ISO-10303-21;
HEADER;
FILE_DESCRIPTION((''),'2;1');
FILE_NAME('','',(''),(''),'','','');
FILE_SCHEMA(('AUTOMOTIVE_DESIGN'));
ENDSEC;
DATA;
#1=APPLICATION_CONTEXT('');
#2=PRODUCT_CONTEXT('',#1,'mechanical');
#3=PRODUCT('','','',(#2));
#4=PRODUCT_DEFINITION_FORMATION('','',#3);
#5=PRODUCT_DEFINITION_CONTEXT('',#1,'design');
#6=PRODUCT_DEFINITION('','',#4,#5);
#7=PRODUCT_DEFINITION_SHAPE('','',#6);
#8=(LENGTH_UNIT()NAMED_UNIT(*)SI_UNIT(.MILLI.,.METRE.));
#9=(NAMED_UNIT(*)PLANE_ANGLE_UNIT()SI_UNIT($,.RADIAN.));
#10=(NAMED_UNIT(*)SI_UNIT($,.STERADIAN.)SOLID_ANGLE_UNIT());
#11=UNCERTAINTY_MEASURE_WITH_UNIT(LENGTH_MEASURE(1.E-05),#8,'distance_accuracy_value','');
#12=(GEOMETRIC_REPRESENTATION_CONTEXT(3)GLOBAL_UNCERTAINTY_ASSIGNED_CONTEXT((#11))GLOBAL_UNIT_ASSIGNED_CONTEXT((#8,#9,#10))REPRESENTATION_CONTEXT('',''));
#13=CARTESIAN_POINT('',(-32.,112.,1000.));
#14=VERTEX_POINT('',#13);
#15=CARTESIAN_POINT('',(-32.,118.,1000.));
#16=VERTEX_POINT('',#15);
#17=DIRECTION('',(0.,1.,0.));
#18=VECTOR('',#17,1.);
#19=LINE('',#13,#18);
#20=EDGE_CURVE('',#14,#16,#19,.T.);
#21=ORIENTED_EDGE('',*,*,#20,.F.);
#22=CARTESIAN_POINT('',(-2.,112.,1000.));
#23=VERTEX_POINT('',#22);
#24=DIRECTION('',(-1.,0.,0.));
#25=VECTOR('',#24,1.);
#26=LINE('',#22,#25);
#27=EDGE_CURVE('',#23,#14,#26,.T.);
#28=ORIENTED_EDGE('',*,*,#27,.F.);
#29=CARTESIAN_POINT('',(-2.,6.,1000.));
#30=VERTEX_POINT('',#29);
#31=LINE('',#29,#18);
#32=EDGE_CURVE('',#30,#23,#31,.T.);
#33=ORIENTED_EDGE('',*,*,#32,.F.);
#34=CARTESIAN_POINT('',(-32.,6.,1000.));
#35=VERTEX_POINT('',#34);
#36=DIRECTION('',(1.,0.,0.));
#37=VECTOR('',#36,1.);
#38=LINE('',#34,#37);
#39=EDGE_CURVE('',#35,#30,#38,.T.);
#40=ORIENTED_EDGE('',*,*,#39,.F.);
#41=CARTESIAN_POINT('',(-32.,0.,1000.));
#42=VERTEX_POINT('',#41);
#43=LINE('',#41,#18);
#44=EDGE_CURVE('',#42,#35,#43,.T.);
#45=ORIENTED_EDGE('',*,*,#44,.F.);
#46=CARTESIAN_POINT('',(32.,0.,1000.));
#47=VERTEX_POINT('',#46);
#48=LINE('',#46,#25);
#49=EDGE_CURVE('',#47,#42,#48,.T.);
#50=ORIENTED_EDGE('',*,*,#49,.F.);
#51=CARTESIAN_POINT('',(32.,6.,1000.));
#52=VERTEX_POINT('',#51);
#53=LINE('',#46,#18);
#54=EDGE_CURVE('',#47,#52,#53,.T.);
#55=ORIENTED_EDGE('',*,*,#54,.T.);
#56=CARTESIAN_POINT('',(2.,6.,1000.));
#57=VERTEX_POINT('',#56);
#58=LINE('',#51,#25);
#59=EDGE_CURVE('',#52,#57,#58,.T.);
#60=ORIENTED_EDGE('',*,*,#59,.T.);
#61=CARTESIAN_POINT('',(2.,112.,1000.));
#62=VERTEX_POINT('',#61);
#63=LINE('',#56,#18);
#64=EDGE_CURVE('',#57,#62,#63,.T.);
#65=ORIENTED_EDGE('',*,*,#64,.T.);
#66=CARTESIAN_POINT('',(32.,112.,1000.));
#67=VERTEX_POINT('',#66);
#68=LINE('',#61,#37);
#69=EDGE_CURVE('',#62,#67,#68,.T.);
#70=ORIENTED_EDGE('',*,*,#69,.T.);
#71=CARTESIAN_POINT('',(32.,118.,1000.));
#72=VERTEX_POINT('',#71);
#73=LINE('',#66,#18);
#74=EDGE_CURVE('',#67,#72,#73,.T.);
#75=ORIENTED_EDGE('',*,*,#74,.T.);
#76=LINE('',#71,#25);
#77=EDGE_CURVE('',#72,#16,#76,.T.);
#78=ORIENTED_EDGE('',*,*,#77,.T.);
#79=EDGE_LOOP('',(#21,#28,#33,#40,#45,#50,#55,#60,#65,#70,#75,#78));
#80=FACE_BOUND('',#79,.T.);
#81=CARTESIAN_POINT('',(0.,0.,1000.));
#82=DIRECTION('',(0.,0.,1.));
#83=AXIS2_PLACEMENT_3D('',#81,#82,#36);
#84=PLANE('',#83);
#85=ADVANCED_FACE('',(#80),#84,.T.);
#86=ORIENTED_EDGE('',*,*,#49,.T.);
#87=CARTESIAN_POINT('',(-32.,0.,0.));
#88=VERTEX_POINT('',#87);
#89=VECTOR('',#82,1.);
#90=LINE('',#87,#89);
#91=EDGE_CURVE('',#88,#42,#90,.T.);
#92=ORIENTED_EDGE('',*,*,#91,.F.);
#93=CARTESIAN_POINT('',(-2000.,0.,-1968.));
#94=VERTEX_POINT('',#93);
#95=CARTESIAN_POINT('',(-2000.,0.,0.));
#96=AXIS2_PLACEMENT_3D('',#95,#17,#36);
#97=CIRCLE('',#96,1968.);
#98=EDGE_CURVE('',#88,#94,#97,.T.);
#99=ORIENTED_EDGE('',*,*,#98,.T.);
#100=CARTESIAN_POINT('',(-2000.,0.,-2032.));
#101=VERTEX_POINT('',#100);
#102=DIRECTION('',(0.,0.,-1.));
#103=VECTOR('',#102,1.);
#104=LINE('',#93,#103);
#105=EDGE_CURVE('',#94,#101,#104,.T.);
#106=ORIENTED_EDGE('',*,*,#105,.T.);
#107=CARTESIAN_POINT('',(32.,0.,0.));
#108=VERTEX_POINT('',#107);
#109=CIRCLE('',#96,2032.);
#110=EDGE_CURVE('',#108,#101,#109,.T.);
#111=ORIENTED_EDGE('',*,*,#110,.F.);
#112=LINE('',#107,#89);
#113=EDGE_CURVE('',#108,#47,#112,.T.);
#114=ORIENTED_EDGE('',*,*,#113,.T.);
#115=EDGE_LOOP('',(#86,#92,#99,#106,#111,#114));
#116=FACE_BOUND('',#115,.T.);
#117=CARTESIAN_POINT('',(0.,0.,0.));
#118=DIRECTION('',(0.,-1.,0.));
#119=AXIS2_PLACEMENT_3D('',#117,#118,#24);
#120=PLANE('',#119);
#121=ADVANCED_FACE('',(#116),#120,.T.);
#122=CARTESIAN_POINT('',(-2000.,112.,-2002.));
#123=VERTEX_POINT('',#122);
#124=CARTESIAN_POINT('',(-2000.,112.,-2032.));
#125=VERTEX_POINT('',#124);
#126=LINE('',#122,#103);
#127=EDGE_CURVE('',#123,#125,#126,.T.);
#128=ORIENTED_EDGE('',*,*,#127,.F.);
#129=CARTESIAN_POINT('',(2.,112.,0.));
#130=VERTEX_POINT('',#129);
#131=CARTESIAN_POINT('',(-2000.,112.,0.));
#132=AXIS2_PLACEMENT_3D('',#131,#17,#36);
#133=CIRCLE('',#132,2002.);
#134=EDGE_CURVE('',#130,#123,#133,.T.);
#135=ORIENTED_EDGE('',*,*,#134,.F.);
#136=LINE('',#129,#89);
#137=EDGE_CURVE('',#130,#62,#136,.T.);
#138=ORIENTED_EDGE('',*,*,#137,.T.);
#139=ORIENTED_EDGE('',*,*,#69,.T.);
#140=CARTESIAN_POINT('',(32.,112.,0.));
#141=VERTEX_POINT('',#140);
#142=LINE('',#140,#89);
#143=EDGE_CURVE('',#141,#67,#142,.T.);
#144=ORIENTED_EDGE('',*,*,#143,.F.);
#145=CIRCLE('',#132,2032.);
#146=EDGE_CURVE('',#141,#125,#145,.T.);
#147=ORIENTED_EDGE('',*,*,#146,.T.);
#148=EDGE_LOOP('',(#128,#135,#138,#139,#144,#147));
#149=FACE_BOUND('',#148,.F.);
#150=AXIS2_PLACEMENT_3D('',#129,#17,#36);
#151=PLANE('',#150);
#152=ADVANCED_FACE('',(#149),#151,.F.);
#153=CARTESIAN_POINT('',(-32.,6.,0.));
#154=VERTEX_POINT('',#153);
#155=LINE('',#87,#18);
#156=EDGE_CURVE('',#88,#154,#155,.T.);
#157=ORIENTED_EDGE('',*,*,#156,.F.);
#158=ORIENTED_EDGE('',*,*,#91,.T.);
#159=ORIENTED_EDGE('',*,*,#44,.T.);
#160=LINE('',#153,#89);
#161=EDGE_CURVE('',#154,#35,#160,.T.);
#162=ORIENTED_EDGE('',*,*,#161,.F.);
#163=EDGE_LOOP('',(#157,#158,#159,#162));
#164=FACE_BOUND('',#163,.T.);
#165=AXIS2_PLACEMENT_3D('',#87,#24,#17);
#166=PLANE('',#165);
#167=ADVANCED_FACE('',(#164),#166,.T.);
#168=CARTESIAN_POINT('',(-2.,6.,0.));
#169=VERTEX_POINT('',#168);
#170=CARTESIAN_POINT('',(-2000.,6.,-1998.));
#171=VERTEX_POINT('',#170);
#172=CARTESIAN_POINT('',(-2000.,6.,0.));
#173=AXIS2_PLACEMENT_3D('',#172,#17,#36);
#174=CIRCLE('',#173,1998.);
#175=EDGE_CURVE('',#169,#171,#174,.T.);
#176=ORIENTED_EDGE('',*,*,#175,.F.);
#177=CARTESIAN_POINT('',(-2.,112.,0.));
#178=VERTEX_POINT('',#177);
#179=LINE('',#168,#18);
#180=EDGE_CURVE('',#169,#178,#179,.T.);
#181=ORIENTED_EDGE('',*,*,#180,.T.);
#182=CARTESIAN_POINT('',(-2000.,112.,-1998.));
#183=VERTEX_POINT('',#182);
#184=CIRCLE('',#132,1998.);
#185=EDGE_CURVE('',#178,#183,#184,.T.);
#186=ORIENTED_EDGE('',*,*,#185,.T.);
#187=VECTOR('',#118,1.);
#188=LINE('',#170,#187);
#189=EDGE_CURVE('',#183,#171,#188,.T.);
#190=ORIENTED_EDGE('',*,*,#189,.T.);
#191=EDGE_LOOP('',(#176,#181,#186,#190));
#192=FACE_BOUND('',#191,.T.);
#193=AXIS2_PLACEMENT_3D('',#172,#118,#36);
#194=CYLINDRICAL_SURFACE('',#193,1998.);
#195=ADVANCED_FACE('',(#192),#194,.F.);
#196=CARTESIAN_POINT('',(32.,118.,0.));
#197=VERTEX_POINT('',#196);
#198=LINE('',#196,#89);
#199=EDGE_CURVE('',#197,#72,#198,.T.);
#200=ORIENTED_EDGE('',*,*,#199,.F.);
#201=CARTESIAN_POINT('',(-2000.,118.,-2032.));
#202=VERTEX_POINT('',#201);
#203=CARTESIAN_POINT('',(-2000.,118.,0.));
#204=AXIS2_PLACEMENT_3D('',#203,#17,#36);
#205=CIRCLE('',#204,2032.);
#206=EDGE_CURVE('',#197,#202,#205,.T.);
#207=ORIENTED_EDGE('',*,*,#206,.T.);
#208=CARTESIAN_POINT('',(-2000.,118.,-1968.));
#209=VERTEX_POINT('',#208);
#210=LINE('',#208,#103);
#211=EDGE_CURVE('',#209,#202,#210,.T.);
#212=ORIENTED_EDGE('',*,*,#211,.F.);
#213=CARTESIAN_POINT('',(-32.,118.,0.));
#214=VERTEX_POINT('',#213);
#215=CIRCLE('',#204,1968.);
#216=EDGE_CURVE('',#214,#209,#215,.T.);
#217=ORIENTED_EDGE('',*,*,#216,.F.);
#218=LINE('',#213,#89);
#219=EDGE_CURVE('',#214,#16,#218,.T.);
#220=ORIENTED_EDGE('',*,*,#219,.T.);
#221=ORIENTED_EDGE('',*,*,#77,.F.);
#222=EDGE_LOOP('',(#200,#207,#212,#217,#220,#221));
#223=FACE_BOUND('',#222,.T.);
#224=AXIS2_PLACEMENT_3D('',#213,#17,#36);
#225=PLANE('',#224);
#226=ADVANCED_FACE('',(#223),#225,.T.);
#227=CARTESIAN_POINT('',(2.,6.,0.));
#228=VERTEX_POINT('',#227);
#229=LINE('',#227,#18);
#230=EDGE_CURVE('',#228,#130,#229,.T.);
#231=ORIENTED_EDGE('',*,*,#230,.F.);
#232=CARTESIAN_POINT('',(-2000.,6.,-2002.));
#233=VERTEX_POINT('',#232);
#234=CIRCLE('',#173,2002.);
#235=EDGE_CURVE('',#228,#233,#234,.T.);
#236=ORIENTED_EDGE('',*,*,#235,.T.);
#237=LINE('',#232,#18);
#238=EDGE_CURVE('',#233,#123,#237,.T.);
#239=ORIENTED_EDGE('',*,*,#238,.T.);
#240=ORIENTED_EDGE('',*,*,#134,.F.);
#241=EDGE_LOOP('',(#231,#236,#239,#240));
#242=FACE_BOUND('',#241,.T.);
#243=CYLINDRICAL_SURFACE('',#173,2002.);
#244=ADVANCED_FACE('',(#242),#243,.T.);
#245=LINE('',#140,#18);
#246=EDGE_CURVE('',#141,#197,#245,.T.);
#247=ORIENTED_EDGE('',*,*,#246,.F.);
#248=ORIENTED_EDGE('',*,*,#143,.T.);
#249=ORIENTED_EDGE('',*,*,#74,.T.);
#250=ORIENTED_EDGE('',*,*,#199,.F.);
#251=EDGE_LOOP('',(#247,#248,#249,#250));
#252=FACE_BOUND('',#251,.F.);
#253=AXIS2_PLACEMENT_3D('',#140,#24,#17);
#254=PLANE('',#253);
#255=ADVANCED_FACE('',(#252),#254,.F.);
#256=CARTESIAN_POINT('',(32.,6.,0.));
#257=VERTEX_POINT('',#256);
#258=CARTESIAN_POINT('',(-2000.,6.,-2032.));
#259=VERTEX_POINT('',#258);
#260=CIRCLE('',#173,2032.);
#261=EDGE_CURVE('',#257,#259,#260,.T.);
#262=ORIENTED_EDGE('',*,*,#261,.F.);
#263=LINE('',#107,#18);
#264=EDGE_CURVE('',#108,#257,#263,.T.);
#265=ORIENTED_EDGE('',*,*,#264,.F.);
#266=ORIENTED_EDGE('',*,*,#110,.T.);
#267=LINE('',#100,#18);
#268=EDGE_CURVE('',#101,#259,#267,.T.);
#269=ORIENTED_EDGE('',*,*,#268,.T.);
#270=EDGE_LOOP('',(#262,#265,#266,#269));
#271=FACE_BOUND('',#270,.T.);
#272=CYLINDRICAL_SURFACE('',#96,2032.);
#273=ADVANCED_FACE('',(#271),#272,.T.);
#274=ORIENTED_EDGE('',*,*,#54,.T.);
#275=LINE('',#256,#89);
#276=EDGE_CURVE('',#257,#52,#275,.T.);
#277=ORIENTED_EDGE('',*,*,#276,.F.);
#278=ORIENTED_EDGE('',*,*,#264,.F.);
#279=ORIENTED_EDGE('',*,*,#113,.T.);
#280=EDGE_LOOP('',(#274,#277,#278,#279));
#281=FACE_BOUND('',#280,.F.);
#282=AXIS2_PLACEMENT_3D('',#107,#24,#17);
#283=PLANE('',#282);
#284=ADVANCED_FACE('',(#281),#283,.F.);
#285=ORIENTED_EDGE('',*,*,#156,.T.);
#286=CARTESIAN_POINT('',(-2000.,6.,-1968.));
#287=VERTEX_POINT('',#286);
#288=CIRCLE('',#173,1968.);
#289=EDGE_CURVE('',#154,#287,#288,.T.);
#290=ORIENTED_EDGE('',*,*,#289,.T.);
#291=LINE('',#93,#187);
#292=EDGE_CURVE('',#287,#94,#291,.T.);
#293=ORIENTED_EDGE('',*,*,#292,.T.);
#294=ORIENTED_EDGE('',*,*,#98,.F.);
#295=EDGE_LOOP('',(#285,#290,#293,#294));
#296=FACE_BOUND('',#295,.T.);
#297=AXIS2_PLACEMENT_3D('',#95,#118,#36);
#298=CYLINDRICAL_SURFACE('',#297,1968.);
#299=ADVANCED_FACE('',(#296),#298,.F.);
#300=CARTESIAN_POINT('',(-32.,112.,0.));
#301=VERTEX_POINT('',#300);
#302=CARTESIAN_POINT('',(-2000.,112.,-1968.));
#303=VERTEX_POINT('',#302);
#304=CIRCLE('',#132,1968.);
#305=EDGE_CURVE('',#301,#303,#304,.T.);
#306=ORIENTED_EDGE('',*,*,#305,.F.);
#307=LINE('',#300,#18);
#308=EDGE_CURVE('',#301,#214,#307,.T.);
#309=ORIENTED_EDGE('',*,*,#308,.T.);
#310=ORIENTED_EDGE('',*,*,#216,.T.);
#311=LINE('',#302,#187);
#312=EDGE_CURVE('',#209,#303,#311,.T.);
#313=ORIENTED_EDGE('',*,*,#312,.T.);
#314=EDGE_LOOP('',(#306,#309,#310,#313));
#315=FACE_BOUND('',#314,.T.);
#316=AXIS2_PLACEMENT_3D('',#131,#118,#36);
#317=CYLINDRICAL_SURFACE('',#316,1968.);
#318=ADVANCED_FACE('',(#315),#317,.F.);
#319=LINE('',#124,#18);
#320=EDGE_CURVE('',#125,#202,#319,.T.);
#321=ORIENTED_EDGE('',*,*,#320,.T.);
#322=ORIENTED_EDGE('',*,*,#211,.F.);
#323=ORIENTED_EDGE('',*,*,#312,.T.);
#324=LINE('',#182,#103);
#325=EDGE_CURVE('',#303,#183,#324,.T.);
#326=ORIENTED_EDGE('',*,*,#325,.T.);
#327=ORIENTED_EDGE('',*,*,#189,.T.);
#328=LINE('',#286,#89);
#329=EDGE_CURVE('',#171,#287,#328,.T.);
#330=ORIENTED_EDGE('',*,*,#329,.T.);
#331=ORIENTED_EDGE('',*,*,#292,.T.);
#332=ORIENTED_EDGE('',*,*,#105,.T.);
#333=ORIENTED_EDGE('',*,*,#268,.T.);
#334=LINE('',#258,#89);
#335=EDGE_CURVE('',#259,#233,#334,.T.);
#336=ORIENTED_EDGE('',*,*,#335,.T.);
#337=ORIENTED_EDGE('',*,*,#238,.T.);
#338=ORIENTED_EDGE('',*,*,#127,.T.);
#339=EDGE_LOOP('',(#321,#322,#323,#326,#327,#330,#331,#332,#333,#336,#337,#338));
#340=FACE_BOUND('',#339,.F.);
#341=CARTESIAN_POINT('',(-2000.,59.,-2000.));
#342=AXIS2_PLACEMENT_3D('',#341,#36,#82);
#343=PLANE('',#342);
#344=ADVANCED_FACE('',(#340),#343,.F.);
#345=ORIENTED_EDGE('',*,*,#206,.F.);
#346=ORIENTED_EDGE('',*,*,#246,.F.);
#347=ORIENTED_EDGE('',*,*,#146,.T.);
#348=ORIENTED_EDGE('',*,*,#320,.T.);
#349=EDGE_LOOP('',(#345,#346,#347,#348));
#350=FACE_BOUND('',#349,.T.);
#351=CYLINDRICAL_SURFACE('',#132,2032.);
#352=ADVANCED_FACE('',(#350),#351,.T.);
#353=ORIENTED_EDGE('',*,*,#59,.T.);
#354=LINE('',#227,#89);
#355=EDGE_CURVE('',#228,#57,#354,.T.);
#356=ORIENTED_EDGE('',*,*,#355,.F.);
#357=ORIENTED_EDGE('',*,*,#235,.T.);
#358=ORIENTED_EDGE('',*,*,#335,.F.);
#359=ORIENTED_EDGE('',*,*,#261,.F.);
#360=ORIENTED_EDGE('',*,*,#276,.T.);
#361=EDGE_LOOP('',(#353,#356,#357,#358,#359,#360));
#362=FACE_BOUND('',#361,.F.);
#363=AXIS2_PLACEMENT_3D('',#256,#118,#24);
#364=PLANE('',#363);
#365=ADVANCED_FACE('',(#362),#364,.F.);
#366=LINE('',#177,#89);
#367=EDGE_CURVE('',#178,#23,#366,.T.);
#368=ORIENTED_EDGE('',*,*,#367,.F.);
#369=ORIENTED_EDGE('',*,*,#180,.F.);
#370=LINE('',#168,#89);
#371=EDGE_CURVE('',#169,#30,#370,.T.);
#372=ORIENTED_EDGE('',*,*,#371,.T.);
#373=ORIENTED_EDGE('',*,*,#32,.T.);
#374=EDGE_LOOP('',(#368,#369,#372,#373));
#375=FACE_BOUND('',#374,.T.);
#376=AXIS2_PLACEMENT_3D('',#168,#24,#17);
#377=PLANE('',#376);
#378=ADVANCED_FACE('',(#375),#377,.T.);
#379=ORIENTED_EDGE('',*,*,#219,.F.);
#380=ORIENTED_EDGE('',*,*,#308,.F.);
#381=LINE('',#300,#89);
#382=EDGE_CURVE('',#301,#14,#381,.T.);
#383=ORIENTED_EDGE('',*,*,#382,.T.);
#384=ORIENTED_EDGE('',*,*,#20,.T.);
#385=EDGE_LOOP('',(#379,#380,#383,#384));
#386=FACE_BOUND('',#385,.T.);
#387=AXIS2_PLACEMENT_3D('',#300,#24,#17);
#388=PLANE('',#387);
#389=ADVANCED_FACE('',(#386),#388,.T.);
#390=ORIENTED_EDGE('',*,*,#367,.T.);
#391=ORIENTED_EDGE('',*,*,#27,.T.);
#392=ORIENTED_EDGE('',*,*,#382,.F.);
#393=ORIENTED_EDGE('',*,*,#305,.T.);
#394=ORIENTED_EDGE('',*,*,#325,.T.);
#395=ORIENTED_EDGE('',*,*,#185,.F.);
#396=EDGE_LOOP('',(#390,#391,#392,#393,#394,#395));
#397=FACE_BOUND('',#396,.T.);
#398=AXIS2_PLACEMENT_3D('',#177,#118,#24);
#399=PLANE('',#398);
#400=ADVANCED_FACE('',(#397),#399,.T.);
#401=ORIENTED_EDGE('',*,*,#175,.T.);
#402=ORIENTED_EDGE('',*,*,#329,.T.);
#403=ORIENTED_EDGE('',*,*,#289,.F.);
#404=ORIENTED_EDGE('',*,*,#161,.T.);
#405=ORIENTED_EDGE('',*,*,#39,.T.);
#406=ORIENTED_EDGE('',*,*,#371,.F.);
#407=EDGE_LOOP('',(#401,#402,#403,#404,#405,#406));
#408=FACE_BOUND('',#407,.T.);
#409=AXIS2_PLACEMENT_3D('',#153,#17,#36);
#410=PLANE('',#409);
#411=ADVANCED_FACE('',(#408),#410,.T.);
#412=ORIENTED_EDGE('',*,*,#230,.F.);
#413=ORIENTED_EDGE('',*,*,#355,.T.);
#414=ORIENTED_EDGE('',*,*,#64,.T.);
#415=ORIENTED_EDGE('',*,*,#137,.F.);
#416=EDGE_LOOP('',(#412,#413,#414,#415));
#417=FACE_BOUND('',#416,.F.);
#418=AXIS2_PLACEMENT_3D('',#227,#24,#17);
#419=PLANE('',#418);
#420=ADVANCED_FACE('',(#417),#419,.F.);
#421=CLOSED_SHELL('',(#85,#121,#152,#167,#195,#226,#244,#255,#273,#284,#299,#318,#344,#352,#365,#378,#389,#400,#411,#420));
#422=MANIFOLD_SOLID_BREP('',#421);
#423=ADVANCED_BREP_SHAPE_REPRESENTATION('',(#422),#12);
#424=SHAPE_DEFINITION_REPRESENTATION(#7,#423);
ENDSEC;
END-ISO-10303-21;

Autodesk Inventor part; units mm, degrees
ref_plane "YZ Plane" through (0, 0, 0) normal (1, 0, 0) x (0, 1, 0)
ref_plane "XZ Plane" through (0, 0, 0) normal (0, 1, 0) x (-1, 0, 0)
ref_plane "XY Plane" through (0, 0, 0) normal (0, 0, 1) x (1, 0, 0)
sketch "Sketch1" plane through (0, 0, 0) normal (0, 0, 1) x (1, 0, 0)
  line L0 (0, 0) -> (32, 0)
  line L1 (32, 0) -> (32, 6)
  line L2 (32, 6) -> (2, 6)
  line L3 (2, 6) -> (2, 112)
  line L4 (2, 112) -> (32, 112)
  line L5 (32, 112) -> (32, 118)
  line L6 (32, 118) -> (0, 118)
  line L7 (0, 118) -> (0, 0) construction
  line L8 (0, 0) -> (-32, 0)
  line L9 (-32, 0) -> (-32, 6)
  line L10 (-32, 6) -> (-2, 6)
  line L11 (-2, 6) -> (-2, 112)
  line L12 (-2, 112) -> (-32, 112)
  line L13 (-32, 112) -> (-32, 118)
  line L14 (-32, 118) -> (0, 118)
  dimension "d0" = 6
  dimension "d1" = 2
  dimension "d2" = 6
  dimension "d3" = 32
  dimension "d4" = 118
  dimension "d5" = 32
extrude "Extrusion1" add sketch "Sketch1" along normal blind 1000
sketch "Sketch2" plane through (-32, 118, 0) normal (0, 1, 0) x (1, 0, 0)
  line L0 (32, 0) -> (-1790.7969, 0) construction
  line L1 (64, 0) -> (0, 0) projected
  arc A0 (32, 0) -> (-1968, 2000) centre (-1968, 0) ccw
  line L2 (-1968, 0) -> (-1968, 2000) construction
  line L3 (-1968, 0) -> (32, 0) construction
  dimension "d9" = 90
  dimension "d10" = 2000
sweep "Sweep1" add profiles "Sketch1" path "Sketch2" path curves A0
properties part number "Rail_beam"
